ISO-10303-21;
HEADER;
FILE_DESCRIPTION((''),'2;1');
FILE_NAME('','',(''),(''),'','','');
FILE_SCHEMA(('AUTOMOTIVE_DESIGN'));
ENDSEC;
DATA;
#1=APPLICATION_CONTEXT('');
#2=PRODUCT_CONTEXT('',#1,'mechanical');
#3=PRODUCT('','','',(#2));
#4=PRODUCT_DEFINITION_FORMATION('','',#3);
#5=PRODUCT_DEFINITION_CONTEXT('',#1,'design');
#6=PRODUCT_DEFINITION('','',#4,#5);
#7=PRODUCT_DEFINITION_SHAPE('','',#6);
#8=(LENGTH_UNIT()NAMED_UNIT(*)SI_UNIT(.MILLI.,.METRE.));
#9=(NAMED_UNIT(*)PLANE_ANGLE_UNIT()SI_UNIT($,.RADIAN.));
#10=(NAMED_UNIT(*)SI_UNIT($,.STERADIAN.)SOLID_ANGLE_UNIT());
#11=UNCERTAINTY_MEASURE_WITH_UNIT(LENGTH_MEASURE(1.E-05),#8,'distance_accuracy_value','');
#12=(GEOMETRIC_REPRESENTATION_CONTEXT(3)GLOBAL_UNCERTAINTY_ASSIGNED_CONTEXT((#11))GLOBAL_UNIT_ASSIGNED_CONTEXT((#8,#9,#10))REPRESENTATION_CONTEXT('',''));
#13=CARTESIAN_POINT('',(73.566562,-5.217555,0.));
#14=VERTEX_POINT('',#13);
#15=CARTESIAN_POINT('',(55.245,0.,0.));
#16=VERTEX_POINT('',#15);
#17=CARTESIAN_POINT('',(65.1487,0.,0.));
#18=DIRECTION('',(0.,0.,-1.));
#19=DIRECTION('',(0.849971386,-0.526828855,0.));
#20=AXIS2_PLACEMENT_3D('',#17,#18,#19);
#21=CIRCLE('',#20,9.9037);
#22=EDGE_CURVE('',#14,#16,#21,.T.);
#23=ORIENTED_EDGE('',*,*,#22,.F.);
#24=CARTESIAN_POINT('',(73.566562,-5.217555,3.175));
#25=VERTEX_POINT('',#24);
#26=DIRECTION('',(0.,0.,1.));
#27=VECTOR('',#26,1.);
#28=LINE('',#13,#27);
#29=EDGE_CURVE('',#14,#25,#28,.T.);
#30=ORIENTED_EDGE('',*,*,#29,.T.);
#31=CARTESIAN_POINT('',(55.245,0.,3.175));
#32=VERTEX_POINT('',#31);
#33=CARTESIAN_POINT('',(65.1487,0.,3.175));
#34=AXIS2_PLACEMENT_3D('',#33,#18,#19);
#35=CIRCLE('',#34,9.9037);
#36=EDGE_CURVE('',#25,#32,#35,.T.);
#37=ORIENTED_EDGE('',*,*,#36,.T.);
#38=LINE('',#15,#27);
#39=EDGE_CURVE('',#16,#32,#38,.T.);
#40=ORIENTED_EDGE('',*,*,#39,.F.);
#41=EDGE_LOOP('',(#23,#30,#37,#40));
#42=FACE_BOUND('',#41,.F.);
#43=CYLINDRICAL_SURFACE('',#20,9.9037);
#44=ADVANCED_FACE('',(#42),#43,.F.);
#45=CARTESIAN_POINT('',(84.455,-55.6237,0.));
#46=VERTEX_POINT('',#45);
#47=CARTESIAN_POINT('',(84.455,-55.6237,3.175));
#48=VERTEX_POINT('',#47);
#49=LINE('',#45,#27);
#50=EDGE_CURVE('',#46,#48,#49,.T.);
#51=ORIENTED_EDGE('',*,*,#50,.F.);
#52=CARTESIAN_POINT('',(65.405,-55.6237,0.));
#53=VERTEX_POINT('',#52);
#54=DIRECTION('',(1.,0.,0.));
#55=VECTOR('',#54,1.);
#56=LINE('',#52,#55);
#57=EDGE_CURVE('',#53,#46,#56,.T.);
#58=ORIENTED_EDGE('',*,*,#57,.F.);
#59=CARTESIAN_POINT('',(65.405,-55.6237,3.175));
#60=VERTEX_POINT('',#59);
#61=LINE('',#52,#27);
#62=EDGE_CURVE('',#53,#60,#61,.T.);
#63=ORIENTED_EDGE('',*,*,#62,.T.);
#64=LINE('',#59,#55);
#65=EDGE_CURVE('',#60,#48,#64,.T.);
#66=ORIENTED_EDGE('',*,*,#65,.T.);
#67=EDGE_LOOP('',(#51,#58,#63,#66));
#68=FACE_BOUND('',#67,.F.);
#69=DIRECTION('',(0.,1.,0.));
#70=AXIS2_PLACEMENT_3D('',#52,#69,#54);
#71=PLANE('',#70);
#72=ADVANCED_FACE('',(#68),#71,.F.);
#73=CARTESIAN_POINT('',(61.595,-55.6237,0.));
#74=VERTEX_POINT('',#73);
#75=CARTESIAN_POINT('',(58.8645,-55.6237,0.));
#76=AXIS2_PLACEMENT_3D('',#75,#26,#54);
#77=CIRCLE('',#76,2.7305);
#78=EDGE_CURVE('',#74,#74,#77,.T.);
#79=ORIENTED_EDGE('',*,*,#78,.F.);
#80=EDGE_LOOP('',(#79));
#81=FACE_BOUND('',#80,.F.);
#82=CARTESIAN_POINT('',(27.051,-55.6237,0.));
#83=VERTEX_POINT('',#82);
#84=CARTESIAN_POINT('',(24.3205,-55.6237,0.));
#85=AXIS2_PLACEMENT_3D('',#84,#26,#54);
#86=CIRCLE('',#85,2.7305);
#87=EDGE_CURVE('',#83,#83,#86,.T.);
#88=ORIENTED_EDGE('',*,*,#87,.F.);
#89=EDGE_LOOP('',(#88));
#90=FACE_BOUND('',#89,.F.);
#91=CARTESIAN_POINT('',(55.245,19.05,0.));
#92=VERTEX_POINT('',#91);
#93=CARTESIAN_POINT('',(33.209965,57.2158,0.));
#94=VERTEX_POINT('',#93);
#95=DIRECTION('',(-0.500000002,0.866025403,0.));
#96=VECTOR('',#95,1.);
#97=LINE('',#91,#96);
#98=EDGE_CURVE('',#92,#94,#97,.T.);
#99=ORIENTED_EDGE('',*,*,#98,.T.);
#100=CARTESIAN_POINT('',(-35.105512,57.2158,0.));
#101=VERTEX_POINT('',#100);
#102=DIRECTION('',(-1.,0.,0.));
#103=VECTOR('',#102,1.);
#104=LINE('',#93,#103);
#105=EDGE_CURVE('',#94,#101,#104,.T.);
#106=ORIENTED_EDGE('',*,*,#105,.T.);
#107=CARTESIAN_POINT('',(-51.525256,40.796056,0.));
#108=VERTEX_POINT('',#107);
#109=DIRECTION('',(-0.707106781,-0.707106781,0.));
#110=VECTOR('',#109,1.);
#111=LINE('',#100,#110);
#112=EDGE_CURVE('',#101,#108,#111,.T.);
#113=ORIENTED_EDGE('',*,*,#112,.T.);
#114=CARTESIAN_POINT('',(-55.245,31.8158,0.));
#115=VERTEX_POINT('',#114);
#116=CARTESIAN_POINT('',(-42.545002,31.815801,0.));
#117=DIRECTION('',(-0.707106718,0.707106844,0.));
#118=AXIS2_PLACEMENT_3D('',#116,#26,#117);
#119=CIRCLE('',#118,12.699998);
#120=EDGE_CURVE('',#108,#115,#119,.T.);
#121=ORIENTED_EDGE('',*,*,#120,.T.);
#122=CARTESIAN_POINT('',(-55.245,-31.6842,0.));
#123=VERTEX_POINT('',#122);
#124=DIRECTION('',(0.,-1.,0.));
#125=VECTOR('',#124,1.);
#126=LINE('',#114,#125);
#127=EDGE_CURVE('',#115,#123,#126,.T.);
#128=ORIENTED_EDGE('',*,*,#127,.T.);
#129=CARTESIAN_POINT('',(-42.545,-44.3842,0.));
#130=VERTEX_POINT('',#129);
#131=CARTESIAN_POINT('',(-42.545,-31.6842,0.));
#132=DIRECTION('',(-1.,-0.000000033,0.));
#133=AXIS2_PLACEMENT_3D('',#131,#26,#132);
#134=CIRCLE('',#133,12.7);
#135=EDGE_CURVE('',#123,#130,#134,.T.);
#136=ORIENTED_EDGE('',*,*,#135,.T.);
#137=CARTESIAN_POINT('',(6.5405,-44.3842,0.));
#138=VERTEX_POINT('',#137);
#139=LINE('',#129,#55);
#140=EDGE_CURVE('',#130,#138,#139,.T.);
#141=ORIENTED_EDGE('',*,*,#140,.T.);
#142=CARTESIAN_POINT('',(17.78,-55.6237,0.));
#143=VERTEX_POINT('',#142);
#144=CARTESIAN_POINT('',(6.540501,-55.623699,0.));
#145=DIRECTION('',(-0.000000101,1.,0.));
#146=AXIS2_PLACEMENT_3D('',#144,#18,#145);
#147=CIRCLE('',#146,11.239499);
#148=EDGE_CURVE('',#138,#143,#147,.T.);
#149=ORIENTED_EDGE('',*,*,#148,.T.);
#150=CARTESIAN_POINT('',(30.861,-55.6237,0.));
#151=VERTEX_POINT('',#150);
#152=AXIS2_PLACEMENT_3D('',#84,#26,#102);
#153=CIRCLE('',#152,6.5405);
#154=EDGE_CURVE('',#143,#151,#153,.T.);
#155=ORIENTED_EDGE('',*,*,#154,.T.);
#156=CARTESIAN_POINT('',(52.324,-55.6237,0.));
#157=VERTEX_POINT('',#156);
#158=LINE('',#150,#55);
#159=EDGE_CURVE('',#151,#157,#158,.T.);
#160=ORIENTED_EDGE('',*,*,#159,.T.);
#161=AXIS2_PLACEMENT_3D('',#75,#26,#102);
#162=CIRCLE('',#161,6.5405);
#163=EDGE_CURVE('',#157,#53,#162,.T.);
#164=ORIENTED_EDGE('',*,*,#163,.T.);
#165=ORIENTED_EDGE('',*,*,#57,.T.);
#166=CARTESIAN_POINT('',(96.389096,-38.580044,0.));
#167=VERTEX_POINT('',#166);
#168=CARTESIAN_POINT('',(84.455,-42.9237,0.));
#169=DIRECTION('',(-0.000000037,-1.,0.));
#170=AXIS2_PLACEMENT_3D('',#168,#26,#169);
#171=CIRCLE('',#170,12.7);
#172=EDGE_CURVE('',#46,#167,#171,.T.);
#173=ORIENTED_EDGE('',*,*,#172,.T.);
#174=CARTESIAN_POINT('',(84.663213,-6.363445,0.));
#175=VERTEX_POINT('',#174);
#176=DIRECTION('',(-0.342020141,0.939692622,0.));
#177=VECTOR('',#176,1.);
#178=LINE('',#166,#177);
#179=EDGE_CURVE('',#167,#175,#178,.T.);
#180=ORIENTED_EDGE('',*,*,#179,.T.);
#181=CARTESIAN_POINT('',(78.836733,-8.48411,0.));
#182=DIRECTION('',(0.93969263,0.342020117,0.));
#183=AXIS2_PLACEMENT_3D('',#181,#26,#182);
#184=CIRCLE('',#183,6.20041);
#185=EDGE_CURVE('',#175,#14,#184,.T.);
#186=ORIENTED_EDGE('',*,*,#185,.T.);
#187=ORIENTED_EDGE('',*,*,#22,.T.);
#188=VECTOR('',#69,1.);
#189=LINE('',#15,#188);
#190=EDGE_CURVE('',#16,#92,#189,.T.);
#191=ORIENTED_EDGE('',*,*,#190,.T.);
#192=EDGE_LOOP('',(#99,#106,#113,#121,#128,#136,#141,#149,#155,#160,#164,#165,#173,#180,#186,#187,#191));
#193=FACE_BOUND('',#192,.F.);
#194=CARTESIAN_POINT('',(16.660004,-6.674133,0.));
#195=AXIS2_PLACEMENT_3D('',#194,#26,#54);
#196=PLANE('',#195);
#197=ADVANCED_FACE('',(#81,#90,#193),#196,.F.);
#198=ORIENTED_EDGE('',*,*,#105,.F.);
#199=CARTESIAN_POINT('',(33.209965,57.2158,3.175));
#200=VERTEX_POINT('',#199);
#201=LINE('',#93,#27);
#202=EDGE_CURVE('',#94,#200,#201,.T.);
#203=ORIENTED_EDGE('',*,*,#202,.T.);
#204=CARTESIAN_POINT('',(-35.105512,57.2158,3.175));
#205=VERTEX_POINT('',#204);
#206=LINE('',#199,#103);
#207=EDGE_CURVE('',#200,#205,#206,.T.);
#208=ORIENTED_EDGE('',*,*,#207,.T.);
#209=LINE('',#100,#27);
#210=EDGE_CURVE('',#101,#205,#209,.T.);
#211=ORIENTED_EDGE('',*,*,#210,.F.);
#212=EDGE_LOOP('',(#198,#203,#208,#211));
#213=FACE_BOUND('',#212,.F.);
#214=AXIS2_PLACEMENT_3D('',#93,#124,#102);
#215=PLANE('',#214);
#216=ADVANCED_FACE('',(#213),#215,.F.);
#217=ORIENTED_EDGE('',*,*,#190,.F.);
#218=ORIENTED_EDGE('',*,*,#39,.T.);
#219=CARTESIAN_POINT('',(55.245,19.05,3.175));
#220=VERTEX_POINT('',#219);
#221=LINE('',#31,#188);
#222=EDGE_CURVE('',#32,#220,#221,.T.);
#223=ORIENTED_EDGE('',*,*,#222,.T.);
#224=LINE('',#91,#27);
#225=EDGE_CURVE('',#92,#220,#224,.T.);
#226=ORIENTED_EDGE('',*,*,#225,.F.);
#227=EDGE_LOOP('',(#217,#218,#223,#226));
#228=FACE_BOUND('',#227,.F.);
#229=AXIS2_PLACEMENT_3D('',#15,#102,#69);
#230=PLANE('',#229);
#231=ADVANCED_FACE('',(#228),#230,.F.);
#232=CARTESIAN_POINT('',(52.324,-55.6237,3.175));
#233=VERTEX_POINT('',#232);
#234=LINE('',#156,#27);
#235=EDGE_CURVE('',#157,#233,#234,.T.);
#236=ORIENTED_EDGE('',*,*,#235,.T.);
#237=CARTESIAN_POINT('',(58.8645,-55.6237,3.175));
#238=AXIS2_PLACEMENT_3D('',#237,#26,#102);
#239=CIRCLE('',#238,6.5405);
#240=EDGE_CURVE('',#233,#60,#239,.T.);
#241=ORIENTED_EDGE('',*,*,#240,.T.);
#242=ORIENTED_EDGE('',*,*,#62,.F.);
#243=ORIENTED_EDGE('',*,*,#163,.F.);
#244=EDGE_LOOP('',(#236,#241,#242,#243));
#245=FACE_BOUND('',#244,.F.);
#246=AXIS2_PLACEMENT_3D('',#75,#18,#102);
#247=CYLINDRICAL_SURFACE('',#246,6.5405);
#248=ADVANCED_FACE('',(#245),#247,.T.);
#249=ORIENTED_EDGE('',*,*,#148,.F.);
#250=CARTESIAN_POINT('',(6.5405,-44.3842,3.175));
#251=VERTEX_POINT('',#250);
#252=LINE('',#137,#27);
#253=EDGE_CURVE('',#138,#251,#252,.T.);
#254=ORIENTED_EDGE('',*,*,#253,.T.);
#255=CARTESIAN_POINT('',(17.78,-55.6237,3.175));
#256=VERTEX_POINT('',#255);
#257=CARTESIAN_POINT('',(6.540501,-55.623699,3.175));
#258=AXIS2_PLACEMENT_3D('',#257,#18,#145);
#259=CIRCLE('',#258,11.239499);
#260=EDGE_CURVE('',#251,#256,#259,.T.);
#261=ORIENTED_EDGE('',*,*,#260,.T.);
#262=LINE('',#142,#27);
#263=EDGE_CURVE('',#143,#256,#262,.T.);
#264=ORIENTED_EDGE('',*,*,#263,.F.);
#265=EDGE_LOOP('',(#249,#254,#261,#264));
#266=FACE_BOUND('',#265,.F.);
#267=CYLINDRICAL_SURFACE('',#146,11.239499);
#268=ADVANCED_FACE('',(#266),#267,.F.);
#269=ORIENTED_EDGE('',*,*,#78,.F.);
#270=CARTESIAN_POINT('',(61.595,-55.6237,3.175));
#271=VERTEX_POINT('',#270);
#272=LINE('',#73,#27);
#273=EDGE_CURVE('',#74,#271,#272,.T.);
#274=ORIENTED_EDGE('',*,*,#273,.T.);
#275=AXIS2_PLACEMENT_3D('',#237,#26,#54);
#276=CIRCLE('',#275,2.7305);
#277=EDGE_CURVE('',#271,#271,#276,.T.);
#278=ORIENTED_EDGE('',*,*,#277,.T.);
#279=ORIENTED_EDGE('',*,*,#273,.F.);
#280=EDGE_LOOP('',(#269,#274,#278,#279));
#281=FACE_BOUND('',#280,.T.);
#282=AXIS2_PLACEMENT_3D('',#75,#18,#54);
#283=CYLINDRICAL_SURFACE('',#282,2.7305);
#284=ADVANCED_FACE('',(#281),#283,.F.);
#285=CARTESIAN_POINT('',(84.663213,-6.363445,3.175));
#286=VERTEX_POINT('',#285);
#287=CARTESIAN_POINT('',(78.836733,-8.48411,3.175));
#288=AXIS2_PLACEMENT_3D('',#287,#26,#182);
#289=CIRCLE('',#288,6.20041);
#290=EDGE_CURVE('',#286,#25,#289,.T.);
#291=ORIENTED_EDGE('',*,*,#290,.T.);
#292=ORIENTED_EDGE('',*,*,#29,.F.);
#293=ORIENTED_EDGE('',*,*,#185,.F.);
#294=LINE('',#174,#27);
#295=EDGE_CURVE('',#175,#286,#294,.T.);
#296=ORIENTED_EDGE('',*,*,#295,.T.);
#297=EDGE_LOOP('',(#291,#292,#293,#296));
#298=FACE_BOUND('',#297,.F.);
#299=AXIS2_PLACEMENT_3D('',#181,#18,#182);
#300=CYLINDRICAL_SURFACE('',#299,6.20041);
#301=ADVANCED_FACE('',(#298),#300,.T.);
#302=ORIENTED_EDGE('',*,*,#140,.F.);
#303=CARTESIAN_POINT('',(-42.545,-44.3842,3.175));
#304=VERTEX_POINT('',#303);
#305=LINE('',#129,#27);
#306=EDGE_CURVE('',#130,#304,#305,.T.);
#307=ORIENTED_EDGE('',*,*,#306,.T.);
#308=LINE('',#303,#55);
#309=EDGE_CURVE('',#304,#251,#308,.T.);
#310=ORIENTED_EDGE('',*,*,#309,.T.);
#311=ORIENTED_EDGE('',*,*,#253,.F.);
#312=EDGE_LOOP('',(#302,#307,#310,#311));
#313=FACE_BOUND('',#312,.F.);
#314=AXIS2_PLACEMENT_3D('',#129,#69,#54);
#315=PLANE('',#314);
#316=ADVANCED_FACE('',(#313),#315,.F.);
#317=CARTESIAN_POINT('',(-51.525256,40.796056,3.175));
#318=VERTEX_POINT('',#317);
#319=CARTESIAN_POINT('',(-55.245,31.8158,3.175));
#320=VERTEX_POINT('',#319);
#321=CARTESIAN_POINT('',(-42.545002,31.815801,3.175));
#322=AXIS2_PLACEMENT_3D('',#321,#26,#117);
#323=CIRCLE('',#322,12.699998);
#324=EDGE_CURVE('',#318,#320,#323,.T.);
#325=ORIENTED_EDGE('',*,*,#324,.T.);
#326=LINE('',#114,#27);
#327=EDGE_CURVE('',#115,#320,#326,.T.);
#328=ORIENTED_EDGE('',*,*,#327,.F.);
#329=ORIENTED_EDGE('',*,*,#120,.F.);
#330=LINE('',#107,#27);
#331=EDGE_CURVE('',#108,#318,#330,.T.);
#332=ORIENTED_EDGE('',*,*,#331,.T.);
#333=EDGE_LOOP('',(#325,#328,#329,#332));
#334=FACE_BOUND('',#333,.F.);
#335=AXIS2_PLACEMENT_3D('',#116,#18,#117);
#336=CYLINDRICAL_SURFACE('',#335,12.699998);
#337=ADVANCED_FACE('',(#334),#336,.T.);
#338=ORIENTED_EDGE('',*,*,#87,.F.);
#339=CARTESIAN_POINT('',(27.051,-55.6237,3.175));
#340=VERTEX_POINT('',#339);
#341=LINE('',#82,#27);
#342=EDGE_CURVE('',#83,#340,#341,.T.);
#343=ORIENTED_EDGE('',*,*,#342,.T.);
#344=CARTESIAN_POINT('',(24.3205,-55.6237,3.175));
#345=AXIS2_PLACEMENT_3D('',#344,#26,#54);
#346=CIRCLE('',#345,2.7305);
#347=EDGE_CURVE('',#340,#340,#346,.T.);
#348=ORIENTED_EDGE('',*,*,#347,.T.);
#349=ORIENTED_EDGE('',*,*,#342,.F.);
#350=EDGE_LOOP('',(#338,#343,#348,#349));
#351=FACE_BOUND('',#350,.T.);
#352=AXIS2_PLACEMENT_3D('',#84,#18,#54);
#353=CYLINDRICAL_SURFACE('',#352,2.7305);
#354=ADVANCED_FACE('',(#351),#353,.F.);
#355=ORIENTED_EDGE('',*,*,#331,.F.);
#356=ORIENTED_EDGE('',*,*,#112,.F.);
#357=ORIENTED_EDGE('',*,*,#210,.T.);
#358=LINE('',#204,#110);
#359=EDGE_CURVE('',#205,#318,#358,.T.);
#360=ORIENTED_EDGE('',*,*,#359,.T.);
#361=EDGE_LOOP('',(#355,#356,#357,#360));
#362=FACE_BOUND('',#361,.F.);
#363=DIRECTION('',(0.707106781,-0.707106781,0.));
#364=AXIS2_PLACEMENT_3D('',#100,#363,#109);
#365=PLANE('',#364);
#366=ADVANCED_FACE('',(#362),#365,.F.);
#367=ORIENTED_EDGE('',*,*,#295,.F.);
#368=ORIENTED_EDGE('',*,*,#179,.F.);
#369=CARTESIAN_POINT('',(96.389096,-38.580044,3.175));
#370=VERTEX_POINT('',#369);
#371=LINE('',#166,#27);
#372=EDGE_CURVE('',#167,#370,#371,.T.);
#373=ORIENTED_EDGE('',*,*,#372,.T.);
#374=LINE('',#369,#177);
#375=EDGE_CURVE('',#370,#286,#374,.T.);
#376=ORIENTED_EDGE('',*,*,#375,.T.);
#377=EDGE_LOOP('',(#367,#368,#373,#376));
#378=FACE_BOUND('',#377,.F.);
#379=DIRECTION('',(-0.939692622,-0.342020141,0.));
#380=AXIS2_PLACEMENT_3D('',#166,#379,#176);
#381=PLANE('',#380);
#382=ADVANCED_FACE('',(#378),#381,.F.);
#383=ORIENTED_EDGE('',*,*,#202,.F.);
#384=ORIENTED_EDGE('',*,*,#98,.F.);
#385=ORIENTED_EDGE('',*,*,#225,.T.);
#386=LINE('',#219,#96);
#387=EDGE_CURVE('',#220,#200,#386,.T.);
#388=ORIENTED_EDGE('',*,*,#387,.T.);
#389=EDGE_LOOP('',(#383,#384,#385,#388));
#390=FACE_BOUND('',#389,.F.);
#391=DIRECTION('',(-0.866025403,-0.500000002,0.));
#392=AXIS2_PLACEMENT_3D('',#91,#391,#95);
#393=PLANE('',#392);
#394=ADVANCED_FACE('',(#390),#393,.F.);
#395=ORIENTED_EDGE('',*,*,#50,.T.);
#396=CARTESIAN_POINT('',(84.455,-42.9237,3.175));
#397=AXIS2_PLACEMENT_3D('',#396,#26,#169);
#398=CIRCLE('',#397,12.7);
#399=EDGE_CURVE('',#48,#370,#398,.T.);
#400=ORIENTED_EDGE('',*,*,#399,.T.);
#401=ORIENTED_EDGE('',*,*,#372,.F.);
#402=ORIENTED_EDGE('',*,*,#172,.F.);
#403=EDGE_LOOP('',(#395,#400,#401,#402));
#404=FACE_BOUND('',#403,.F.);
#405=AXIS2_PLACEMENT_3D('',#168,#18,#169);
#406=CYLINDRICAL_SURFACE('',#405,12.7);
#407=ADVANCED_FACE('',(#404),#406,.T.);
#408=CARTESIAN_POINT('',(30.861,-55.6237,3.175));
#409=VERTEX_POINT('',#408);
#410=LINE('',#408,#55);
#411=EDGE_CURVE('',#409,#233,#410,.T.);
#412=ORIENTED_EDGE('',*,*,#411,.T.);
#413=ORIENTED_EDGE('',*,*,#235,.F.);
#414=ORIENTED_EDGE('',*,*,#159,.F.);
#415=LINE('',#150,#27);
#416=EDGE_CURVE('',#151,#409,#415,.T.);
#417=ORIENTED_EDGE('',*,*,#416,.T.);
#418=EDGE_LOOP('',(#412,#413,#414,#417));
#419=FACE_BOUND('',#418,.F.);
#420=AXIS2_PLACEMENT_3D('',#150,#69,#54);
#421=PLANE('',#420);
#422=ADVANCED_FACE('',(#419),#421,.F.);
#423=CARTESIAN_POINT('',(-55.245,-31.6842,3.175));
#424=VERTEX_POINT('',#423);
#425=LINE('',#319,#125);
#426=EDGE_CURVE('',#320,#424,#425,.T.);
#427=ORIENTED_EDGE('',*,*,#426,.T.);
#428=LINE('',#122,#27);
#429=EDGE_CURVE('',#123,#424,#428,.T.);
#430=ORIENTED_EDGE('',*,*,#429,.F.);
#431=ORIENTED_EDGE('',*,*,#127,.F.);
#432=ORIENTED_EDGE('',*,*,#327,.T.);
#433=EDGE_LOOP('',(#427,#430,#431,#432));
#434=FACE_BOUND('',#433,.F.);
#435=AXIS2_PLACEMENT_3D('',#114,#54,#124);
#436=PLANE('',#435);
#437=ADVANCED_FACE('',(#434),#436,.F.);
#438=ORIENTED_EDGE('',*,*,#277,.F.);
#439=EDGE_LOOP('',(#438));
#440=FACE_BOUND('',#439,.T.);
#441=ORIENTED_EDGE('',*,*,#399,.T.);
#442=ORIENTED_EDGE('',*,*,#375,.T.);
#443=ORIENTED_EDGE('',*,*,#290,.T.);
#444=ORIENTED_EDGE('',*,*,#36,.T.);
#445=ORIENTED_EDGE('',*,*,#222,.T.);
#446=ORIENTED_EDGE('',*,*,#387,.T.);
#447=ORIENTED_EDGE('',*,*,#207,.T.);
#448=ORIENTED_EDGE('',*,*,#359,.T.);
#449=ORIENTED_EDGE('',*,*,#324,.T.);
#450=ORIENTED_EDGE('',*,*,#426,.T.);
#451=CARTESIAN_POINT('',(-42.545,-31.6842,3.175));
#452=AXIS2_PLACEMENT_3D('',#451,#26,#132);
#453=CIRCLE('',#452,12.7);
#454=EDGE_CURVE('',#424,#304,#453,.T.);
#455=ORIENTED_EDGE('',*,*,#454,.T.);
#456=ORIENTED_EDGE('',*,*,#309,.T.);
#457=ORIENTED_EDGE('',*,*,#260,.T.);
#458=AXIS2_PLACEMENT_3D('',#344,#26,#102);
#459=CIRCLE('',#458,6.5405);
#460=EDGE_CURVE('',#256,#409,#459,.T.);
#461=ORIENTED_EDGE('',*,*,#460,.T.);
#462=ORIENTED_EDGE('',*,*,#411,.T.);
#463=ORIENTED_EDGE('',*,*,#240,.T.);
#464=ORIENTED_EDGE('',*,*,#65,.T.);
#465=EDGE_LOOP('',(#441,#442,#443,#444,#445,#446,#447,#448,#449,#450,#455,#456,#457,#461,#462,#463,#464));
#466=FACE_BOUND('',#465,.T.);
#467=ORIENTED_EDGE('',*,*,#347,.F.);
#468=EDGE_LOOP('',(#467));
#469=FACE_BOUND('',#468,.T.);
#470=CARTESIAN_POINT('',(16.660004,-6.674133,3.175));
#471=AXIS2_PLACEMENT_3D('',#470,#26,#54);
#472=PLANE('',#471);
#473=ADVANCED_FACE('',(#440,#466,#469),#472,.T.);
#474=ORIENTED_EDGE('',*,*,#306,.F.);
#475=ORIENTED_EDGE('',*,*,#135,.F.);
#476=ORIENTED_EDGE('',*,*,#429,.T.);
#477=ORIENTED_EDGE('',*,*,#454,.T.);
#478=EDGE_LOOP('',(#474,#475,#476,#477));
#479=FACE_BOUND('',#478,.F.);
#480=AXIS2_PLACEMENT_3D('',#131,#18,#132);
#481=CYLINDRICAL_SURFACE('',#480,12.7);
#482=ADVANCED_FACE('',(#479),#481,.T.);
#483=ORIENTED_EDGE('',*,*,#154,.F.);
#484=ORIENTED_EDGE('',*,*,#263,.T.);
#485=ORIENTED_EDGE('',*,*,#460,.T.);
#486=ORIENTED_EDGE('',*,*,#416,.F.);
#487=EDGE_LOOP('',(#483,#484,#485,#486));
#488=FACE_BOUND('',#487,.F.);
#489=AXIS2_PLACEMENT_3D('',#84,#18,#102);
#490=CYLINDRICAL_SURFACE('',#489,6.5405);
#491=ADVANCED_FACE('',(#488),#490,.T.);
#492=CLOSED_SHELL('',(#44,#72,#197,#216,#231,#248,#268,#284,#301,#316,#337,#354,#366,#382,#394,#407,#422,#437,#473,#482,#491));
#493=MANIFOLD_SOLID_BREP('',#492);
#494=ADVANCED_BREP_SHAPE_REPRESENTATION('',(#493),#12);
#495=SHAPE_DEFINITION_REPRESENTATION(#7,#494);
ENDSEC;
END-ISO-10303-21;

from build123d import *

# Parameters (mm, degrees)
F0_R     = 2.7305
F1_DEPTH = 3.175


with BuildPart() as f1:
    # F0 (on Top) → F1 (new body)
    with BuildSketch(Plane.XY):
        with BuildLine():
            ThreePointArc((-51.525256, 40.796056), (-54.27827, 36.67588), (-55.245, 31.8158))
            Line((-55.245, 31.8158), (-55.245, -31.6842))
            ThreePointArc((-55.245, -31.6842), (-51.525256, -40.664456), (-42.545, -44.3842))
            Line((-42.545, -44.3842), (6.5405, -44.3842))
            ThreePointArc((6.5405, -44.3842), (14.488027, -47.676173), (17.78, -55.6237))
            ThreePointArc((17.78, -55.6237), (24.3205, -62.1642), (30.861, -55.6237))
            Line((30.861, -55.6237), (52.324, -55.6237))
            ThreePointArc((52.324, -55.6237), (58.8645, -62.1642), (65.405, -55.6237))
            Line((65.405, -55.6237), (84.455, -55.6237))
            ThreePointArc((84.455, -55.6237), (94.858231, -50.208121), (96.389096, -38.580044))
            Line((96.389096, -38.580044), (84.663213, -6.363445))
            ThreePointArc((84.663213, -6.363445), (79.473629, -2.316497), (73.566562, -5.217555))
            ThreePointArc((73.566562, -5.217555), (62.436201, -9.525), (55.245, 0))
            Line((55.245, 0), (55.245, 19.05))
            Line((55.245, 19.05), (33.209965, 57.2158))
            Line((33.209965, 57.2158), (-35.105512, 57.2158))
            Line((-35.105512, 57.2158), (-51.525256, 40.796056))
        make_face()
        with Locations((24.3205, -55.6237)):
            Circle(F0_R, mode=Mode.SUBTRACT)
        with Locations((58.8645, -55.6237)):
            Circle(F0_R, mode=Mode.SUBTRACT)
    extrude(amount=F1_DEPTH)


solid = f1.part
